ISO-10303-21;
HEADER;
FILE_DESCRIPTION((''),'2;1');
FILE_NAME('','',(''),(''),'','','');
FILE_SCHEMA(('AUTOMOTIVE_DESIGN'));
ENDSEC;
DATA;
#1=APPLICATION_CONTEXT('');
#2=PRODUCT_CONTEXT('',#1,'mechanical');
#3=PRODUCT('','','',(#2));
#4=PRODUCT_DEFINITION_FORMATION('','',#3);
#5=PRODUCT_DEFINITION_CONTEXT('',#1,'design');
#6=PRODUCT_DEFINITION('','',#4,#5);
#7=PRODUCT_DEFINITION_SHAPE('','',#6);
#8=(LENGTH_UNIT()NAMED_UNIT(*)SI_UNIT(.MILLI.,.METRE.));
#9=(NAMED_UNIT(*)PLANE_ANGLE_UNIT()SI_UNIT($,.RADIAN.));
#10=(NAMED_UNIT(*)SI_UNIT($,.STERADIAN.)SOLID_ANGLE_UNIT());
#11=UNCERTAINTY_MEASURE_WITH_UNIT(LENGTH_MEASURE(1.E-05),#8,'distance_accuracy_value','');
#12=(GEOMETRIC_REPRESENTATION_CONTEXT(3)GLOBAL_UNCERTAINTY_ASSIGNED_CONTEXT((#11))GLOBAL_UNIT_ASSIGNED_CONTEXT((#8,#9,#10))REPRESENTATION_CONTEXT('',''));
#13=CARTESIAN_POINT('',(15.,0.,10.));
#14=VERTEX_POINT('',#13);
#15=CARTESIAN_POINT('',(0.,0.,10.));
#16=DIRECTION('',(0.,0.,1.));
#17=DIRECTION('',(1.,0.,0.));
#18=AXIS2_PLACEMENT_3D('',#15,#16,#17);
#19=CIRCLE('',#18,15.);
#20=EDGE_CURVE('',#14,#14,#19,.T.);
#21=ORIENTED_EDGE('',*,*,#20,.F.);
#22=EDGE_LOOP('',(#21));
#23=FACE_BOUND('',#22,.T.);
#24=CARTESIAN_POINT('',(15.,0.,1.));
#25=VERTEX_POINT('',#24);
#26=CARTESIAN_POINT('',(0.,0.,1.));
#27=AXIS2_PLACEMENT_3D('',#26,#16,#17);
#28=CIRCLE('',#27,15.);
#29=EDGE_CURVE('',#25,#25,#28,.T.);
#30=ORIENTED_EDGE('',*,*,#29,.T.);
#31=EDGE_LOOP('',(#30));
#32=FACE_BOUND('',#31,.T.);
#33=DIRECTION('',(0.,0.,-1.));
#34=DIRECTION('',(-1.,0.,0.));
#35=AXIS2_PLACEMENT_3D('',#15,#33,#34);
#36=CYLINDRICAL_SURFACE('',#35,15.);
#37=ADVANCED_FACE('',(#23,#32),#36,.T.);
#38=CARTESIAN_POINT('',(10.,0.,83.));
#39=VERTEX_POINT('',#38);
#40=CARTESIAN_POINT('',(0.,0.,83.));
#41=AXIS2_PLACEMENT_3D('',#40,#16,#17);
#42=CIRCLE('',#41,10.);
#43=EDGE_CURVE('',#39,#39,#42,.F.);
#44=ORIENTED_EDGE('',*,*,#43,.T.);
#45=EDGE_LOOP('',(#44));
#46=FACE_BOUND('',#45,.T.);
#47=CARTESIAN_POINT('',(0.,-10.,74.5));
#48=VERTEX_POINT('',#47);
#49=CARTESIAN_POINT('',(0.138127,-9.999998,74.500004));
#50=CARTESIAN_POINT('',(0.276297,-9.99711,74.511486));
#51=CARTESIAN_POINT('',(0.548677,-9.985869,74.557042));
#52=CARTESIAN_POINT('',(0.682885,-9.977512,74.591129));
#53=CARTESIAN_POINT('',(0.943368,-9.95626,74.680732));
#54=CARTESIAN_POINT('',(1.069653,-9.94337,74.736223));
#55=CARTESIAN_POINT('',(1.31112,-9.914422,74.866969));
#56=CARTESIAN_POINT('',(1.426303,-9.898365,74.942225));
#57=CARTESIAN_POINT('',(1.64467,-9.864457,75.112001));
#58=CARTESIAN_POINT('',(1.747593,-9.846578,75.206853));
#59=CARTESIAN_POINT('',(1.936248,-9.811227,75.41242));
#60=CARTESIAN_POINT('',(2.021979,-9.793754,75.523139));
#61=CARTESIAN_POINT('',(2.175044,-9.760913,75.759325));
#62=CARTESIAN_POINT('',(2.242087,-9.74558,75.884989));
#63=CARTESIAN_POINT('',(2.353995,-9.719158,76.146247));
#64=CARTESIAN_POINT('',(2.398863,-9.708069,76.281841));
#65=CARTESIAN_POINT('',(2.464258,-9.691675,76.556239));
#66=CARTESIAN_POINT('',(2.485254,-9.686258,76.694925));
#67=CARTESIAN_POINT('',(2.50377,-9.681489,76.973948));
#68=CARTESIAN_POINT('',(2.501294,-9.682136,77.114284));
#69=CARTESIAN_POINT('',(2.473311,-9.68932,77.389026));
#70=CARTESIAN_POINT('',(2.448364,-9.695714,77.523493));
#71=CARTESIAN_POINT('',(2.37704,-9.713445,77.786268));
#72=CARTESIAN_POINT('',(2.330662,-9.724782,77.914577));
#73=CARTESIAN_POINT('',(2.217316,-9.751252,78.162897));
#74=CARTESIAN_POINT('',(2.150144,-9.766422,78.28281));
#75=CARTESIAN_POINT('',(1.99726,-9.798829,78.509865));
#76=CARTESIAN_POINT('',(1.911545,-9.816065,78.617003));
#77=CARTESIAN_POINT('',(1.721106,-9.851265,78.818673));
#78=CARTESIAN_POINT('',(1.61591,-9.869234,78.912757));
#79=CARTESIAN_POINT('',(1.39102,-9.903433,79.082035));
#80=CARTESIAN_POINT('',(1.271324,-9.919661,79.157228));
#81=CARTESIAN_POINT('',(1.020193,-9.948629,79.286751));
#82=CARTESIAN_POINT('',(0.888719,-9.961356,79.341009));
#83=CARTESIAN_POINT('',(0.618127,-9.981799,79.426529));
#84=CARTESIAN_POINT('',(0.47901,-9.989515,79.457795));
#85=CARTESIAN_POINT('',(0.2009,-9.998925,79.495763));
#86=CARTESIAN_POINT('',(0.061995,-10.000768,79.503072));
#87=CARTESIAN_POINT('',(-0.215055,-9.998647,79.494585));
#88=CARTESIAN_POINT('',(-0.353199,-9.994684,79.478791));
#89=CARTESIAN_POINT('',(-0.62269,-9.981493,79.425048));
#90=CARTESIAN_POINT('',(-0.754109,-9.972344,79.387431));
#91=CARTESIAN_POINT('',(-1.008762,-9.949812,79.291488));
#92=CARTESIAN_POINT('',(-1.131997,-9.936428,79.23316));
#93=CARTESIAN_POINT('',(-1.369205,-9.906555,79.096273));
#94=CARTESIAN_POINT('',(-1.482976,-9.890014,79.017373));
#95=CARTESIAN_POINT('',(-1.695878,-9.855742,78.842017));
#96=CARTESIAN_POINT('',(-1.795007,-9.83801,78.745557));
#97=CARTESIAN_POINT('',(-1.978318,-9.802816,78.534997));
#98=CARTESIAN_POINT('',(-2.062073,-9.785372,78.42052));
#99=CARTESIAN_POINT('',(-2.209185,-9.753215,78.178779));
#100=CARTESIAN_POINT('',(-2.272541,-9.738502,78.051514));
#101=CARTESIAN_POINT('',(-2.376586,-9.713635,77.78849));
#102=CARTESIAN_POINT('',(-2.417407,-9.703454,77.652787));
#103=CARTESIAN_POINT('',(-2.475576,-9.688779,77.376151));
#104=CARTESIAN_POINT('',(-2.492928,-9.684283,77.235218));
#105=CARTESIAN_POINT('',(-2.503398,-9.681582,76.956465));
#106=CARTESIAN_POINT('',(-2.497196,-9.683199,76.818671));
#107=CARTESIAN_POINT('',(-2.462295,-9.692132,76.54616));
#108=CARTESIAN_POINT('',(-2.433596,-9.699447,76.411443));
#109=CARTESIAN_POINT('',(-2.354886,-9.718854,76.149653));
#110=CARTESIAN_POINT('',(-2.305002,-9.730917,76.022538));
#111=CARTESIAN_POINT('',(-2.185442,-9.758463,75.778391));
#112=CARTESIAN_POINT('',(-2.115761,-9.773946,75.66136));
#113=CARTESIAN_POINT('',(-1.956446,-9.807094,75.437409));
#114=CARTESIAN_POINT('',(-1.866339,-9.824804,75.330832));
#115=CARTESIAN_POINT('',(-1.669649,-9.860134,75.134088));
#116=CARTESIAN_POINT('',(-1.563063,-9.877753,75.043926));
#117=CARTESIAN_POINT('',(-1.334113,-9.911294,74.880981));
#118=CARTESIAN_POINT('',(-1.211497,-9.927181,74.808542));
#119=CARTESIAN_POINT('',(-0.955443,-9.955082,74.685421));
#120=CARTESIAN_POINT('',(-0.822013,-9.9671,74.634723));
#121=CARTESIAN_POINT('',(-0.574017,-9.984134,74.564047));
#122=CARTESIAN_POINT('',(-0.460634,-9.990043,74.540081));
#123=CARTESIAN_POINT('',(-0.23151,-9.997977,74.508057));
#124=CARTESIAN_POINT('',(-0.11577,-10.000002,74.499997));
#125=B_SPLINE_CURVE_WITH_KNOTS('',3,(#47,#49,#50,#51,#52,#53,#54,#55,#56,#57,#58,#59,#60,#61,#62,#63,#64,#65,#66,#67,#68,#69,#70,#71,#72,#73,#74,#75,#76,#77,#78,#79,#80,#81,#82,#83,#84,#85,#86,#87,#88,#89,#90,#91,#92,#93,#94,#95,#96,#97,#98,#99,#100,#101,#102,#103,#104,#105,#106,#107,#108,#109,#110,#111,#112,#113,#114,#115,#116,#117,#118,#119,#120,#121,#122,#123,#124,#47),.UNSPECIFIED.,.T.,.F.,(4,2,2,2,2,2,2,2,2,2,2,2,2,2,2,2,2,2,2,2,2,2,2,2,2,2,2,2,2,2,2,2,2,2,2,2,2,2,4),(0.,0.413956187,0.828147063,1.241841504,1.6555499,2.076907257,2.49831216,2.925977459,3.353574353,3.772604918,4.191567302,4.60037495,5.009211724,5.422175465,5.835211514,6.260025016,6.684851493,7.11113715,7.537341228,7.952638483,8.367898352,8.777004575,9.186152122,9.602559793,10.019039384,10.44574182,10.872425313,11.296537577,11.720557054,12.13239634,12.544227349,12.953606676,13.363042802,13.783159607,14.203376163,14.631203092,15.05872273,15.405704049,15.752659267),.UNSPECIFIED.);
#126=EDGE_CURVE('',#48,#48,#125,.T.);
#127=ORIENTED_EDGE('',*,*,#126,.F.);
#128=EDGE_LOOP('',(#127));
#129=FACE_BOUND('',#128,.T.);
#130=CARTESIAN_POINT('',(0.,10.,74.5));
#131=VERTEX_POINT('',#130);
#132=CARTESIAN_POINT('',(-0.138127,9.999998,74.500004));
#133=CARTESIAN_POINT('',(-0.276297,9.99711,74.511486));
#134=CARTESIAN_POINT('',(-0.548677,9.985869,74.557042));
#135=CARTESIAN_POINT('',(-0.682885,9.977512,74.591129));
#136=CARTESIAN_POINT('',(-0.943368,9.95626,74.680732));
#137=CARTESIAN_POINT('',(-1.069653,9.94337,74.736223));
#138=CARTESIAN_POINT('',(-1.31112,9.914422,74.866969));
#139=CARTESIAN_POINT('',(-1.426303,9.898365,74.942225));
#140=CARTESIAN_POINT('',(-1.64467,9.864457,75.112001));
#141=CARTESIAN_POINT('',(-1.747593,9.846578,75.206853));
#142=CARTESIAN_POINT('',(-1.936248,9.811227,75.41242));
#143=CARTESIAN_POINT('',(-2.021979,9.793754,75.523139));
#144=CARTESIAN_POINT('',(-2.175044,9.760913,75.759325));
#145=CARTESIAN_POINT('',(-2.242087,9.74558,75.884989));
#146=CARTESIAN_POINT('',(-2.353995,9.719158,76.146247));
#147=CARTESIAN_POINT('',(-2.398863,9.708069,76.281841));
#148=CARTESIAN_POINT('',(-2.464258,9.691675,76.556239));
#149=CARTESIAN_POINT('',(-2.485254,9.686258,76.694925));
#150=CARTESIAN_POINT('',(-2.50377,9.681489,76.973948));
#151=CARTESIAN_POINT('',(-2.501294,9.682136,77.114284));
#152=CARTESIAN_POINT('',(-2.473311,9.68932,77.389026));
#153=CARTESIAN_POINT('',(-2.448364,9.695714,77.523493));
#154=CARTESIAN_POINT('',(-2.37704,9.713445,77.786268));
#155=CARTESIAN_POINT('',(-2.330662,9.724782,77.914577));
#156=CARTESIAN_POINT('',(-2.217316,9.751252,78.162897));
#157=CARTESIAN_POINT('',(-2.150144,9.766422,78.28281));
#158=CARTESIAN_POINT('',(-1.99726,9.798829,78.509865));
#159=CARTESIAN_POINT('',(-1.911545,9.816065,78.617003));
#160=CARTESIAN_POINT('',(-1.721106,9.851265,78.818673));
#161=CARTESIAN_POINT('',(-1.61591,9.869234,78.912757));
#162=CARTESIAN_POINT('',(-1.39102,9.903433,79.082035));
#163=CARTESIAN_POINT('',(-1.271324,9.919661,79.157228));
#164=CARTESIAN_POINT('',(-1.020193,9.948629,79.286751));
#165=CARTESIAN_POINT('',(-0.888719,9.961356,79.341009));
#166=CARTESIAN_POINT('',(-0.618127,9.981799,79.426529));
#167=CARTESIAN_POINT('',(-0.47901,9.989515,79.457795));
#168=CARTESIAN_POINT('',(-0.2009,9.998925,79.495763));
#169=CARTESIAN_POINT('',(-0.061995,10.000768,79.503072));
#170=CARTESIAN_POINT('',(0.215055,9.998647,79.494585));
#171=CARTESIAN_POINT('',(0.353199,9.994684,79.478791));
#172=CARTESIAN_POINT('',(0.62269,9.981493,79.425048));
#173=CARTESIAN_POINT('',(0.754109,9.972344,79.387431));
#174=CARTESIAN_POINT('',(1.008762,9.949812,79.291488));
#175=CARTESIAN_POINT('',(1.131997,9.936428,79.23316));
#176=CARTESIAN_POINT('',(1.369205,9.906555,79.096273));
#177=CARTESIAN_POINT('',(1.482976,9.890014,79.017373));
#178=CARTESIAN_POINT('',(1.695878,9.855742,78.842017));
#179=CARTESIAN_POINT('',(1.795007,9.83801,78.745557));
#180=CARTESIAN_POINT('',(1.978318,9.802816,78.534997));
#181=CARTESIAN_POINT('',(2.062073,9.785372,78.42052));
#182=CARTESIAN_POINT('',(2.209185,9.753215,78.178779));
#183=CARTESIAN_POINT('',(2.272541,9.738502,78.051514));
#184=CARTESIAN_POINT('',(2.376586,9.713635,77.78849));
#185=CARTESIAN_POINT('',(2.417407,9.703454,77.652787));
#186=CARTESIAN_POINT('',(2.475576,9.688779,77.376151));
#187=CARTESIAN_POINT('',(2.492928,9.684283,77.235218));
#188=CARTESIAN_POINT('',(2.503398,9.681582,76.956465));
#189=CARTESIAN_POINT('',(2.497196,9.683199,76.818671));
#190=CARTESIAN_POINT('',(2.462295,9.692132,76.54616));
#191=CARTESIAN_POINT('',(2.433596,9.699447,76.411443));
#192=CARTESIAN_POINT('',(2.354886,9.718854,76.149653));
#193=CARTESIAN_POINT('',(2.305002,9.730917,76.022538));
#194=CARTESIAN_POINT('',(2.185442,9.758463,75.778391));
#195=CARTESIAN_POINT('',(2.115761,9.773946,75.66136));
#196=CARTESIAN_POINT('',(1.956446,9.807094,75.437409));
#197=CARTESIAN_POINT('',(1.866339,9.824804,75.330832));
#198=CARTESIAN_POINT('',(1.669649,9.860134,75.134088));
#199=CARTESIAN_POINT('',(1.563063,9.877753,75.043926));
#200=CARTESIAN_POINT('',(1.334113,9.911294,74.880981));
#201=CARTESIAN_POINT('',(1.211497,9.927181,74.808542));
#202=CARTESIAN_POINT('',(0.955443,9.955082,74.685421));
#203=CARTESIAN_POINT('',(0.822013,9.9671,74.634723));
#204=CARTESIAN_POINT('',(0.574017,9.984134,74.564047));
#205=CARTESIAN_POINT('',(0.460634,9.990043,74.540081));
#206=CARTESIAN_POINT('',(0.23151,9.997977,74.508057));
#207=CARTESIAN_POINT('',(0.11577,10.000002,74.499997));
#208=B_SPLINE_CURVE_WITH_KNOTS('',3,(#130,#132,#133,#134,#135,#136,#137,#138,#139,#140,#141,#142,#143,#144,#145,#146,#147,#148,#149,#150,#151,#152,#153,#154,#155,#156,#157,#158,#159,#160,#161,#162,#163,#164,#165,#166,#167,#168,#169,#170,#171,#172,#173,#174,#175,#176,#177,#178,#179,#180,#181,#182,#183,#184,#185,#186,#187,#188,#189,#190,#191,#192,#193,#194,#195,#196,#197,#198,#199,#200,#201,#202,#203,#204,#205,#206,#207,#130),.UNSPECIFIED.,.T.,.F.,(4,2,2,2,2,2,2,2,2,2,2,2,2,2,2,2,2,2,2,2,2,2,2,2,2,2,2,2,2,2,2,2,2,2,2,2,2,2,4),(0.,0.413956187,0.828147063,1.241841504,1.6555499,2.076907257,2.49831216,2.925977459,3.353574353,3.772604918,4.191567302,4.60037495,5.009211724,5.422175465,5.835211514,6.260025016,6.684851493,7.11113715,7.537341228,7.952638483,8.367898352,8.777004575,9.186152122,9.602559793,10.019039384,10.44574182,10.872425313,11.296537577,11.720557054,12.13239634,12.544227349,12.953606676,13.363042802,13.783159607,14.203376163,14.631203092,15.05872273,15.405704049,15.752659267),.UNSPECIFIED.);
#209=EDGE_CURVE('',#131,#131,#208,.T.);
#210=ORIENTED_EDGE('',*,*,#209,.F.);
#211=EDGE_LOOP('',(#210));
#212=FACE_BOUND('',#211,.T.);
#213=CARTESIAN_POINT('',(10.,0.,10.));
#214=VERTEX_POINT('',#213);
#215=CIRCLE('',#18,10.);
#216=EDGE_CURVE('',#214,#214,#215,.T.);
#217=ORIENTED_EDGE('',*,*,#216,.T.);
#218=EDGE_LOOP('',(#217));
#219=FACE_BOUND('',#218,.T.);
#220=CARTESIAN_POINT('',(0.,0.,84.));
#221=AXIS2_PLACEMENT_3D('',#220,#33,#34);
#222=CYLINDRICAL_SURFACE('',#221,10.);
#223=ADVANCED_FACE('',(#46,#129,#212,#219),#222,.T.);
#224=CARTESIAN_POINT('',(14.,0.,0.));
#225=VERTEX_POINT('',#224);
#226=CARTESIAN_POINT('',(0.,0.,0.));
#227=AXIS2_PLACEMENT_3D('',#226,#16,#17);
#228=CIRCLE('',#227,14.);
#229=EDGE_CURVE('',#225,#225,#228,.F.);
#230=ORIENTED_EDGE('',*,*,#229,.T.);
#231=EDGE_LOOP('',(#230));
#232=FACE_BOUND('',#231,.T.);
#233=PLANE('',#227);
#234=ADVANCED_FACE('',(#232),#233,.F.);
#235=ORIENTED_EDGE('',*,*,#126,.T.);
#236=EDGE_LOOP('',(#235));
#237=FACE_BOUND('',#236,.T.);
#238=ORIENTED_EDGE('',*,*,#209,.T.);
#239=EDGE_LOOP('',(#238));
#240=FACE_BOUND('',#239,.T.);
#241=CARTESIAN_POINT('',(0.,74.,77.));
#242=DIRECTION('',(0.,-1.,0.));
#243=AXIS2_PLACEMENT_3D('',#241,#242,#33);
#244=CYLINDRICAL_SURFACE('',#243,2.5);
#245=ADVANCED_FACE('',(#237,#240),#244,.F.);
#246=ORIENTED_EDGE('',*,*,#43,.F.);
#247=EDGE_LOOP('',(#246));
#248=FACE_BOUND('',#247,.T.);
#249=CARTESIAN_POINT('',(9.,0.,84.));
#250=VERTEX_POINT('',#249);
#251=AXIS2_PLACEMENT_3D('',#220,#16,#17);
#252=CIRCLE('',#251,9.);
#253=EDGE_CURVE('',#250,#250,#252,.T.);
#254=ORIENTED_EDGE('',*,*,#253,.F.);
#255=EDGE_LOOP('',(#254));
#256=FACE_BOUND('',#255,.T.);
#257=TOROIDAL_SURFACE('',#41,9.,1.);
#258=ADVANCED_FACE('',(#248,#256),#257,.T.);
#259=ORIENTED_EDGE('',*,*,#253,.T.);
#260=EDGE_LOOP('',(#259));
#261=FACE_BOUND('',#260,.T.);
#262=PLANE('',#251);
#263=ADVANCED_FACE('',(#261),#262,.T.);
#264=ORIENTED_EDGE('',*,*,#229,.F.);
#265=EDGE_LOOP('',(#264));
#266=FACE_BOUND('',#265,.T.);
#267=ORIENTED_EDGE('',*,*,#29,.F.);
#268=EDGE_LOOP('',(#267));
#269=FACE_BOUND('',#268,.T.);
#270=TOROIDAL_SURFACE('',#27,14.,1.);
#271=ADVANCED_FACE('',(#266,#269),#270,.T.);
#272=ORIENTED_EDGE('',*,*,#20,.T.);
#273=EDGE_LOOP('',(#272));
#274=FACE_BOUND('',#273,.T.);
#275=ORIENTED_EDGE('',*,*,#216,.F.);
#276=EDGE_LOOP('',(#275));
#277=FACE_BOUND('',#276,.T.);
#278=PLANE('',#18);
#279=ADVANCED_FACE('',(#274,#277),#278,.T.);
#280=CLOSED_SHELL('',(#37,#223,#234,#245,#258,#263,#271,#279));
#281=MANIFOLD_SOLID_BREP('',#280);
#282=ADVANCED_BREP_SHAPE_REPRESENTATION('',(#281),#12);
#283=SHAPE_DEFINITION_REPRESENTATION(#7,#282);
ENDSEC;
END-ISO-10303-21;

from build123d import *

# Parameters (mm, degrees)
SKETCH1_R               = 15
BOSS_EXTRUDE1_DEPTH     = 10
SKETCH2_R               = 10
BOSS_EXTRUDE2_DEPTH     = 74
CUT_EXTRUDE1_DEPTH      = 74
CUT_EXTRUDE1_DEPTH_BACK = 74
SKETCH3_R               = 2.5
FILLET1_R               = 1
FILLET2_R               = 1


with BuildPart() as part:
    # Sketch1 → Boss-Extrude1 (new body)
    with BuildSketch(Plane.XY):
        Circle(SKETCH1_R)
    extrude(amount=BOSS_EXTRUDE1_DEPTH)

    # Sketch2 → Boss-Extrude2 (add)
    with BuildSketch(Plane.XY.offset(10)):
        Circle(SKETCH2_R)
    extrude(amount=BOSS_EXTRUDE2_DEPTH)

    # Sketch3 → Cut-Extrude1 (cut, two sides: drawn at the far end of the back side and taken through both)
    with BuildSketch(Plane(origin=(0, 0, 0), x_dir=(1, 0, 0), z_dir=(0, 1, 0)).offset(-CUT_EXTRUDE1_DEPTH_BACK)):
        with Locations((0, -77)):
            Circle(SKETCH3_R)
    extrude(amount=CUT_EXTRUDE1_DEPTH + CUT_EXTRUDE1_DEPTH_BACK, mode=Mode.SUBTRACT)

    # Fillet1
    fillet1_edges = [part.edges().sort_by_distance(p)[0] for p in [
        (-15, 0, 0),
    ]]
    fillet(fillet1_edges, radius=FILLET1_R)

    # Fillet2
    fillet2_edges = [part.edges().sort_by_distance(p)[0] for p in [
        (-10, 0, 84),
    ]]
    fillet(fillet2_edges, radius=FILLET2_R)


solid = part.part
